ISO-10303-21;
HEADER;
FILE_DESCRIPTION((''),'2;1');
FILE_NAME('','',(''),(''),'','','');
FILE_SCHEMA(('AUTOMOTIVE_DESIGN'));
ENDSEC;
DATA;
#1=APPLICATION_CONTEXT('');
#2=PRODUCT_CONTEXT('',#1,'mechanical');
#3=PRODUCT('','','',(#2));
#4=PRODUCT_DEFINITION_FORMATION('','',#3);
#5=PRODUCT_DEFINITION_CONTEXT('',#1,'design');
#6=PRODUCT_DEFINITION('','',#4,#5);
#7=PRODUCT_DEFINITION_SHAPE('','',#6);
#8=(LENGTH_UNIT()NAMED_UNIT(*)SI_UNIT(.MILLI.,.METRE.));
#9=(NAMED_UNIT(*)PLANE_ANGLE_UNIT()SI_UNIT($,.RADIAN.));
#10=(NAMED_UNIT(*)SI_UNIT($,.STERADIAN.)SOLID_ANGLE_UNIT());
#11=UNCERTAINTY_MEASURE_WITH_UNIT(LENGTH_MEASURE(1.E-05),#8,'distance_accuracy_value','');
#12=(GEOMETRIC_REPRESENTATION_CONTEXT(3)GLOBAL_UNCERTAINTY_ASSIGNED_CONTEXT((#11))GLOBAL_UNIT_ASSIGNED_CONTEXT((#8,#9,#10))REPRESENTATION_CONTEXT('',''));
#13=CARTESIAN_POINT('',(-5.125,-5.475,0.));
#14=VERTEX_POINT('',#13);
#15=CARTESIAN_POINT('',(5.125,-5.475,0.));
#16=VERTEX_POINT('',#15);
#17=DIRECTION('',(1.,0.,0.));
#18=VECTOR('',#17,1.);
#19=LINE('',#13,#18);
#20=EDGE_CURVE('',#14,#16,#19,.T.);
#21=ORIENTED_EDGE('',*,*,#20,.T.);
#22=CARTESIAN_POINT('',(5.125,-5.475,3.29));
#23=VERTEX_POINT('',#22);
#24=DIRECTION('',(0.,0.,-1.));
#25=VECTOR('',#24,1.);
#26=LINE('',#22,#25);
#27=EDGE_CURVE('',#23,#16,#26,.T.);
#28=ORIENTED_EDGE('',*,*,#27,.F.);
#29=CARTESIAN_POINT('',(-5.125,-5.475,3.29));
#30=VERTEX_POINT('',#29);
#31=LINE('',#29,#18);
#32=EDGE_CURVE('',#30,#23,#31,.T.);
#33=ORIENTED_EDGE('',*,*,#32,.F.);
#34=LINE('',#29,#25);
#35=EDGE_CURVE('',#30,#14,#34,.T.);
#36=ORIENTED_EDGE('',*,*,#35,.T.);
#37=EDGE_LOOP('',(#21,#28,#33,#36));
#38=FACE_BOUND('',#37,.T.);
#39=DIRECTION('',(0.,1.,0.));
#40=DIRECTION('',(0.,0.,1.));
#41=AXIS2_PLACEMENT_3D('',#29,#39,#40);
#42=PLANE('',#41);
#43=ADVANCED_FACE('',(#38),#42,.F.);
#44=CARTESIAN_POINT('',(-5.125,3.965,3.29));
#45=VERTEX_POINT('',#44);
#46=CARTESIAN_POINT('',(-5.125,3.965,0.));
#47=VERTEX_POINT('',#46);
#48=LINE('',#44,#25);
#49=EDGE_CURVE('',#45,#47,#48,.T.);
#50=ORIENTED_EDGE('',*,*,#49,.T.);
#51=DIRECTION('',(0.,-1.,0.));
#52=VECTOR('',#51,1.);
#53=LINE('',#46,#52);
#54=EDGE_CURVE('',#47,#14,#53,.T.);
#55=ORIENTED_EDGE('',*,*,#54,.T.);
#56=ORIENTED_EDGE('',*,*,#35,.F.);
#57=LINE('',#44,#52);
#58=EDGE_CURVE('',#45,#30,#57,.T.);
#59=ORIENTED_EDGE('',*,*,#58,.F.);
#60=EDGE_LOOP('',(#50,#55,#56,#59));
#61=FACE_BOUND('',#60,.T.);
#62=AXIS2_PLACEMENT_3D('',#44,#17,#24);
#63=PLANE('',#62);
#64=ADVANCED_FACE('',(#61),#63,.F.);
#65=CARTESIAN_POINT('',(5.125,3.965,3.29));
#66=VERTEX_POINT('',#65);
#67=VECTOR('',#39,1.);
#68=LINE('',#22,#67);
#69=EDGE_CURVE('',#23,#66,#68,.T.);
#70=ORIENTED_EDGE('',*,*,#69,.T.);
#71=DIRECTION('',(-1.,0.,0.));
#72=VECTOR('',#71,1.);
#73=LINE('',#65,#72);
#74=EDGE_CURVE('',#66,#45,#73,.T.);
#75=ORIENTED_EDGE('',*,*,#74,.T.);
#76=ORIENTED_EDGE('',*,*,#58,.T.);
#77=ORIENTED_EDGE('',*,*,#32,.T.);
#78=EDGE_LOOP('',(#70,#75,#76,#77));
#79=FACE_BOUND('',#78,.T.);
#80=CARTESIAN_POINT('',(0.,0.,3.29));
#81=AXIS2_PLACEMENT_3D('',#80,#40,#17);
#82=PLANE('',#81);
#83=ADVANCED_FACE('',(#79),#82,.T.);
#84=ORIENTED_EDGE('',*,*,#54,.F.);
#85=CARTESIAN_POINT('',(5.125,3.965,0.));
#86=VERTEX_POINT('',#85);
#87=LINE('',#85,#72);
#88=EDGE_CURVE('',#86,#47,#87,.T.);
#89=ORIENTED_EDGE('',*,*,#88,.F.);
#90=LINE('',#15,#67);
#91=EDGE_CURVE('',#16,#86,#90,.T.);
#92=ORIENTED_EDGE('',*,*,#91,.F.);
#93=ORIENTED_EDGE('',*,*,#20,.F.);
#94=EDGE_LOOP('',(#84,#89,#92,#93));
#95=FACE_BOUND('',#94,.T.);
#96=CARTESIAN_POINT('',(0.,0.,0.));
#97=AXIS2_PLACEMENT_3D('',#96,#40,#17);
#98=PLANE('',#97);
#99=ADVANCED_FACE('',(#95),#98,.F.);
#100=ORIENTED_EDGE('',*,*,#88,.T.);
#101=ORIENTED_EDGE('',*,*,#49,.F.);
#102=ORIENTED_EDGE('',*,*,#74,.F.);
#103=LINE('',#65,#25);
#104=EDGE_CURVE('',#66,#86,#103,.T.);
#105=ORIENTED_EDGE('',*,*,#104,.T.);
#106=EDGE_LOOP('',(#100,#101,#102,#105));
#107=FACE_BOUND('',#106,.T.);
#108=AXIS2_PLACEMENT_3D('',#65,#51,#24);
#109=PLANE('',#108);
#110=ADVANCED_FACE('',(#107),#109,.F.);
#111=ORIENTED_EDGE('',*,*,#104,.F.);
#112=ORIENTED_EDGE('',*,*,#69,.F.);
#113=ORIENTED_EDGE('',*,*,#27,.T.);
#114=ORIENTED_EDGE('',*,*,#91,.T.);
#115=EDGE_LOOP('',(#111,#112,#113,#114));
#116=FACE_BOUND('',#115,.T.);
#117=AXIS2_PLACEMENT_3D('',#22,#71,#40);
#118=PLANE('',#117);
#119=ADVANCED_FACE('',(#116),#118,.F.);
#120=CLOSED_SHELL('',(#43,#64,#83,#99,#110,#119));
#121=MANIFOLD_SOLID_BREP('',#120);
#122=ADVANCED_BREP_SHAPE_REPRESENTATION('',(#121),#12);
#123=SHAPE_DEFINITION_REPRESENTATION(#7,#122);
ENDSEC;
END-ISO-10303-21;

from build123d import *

# Parameters (mm, degrees)
SKETCH_1_W      = 10.25
SKETCH_1_H      = 9.44
EXTRUDE_1_DEPTH = 3.29


with BuildPart() as part:
    # 草图1 → 凸台-拉伸1 (new body)
    with BuildSketch(Plane.XY):
        with Locations((0, -0.755)):
            Rectangle(SKETCH_1_W, SKETCH_1_H)
    extrude(amount=EXTRUDE_1_DEPTH)


solid = part.part
